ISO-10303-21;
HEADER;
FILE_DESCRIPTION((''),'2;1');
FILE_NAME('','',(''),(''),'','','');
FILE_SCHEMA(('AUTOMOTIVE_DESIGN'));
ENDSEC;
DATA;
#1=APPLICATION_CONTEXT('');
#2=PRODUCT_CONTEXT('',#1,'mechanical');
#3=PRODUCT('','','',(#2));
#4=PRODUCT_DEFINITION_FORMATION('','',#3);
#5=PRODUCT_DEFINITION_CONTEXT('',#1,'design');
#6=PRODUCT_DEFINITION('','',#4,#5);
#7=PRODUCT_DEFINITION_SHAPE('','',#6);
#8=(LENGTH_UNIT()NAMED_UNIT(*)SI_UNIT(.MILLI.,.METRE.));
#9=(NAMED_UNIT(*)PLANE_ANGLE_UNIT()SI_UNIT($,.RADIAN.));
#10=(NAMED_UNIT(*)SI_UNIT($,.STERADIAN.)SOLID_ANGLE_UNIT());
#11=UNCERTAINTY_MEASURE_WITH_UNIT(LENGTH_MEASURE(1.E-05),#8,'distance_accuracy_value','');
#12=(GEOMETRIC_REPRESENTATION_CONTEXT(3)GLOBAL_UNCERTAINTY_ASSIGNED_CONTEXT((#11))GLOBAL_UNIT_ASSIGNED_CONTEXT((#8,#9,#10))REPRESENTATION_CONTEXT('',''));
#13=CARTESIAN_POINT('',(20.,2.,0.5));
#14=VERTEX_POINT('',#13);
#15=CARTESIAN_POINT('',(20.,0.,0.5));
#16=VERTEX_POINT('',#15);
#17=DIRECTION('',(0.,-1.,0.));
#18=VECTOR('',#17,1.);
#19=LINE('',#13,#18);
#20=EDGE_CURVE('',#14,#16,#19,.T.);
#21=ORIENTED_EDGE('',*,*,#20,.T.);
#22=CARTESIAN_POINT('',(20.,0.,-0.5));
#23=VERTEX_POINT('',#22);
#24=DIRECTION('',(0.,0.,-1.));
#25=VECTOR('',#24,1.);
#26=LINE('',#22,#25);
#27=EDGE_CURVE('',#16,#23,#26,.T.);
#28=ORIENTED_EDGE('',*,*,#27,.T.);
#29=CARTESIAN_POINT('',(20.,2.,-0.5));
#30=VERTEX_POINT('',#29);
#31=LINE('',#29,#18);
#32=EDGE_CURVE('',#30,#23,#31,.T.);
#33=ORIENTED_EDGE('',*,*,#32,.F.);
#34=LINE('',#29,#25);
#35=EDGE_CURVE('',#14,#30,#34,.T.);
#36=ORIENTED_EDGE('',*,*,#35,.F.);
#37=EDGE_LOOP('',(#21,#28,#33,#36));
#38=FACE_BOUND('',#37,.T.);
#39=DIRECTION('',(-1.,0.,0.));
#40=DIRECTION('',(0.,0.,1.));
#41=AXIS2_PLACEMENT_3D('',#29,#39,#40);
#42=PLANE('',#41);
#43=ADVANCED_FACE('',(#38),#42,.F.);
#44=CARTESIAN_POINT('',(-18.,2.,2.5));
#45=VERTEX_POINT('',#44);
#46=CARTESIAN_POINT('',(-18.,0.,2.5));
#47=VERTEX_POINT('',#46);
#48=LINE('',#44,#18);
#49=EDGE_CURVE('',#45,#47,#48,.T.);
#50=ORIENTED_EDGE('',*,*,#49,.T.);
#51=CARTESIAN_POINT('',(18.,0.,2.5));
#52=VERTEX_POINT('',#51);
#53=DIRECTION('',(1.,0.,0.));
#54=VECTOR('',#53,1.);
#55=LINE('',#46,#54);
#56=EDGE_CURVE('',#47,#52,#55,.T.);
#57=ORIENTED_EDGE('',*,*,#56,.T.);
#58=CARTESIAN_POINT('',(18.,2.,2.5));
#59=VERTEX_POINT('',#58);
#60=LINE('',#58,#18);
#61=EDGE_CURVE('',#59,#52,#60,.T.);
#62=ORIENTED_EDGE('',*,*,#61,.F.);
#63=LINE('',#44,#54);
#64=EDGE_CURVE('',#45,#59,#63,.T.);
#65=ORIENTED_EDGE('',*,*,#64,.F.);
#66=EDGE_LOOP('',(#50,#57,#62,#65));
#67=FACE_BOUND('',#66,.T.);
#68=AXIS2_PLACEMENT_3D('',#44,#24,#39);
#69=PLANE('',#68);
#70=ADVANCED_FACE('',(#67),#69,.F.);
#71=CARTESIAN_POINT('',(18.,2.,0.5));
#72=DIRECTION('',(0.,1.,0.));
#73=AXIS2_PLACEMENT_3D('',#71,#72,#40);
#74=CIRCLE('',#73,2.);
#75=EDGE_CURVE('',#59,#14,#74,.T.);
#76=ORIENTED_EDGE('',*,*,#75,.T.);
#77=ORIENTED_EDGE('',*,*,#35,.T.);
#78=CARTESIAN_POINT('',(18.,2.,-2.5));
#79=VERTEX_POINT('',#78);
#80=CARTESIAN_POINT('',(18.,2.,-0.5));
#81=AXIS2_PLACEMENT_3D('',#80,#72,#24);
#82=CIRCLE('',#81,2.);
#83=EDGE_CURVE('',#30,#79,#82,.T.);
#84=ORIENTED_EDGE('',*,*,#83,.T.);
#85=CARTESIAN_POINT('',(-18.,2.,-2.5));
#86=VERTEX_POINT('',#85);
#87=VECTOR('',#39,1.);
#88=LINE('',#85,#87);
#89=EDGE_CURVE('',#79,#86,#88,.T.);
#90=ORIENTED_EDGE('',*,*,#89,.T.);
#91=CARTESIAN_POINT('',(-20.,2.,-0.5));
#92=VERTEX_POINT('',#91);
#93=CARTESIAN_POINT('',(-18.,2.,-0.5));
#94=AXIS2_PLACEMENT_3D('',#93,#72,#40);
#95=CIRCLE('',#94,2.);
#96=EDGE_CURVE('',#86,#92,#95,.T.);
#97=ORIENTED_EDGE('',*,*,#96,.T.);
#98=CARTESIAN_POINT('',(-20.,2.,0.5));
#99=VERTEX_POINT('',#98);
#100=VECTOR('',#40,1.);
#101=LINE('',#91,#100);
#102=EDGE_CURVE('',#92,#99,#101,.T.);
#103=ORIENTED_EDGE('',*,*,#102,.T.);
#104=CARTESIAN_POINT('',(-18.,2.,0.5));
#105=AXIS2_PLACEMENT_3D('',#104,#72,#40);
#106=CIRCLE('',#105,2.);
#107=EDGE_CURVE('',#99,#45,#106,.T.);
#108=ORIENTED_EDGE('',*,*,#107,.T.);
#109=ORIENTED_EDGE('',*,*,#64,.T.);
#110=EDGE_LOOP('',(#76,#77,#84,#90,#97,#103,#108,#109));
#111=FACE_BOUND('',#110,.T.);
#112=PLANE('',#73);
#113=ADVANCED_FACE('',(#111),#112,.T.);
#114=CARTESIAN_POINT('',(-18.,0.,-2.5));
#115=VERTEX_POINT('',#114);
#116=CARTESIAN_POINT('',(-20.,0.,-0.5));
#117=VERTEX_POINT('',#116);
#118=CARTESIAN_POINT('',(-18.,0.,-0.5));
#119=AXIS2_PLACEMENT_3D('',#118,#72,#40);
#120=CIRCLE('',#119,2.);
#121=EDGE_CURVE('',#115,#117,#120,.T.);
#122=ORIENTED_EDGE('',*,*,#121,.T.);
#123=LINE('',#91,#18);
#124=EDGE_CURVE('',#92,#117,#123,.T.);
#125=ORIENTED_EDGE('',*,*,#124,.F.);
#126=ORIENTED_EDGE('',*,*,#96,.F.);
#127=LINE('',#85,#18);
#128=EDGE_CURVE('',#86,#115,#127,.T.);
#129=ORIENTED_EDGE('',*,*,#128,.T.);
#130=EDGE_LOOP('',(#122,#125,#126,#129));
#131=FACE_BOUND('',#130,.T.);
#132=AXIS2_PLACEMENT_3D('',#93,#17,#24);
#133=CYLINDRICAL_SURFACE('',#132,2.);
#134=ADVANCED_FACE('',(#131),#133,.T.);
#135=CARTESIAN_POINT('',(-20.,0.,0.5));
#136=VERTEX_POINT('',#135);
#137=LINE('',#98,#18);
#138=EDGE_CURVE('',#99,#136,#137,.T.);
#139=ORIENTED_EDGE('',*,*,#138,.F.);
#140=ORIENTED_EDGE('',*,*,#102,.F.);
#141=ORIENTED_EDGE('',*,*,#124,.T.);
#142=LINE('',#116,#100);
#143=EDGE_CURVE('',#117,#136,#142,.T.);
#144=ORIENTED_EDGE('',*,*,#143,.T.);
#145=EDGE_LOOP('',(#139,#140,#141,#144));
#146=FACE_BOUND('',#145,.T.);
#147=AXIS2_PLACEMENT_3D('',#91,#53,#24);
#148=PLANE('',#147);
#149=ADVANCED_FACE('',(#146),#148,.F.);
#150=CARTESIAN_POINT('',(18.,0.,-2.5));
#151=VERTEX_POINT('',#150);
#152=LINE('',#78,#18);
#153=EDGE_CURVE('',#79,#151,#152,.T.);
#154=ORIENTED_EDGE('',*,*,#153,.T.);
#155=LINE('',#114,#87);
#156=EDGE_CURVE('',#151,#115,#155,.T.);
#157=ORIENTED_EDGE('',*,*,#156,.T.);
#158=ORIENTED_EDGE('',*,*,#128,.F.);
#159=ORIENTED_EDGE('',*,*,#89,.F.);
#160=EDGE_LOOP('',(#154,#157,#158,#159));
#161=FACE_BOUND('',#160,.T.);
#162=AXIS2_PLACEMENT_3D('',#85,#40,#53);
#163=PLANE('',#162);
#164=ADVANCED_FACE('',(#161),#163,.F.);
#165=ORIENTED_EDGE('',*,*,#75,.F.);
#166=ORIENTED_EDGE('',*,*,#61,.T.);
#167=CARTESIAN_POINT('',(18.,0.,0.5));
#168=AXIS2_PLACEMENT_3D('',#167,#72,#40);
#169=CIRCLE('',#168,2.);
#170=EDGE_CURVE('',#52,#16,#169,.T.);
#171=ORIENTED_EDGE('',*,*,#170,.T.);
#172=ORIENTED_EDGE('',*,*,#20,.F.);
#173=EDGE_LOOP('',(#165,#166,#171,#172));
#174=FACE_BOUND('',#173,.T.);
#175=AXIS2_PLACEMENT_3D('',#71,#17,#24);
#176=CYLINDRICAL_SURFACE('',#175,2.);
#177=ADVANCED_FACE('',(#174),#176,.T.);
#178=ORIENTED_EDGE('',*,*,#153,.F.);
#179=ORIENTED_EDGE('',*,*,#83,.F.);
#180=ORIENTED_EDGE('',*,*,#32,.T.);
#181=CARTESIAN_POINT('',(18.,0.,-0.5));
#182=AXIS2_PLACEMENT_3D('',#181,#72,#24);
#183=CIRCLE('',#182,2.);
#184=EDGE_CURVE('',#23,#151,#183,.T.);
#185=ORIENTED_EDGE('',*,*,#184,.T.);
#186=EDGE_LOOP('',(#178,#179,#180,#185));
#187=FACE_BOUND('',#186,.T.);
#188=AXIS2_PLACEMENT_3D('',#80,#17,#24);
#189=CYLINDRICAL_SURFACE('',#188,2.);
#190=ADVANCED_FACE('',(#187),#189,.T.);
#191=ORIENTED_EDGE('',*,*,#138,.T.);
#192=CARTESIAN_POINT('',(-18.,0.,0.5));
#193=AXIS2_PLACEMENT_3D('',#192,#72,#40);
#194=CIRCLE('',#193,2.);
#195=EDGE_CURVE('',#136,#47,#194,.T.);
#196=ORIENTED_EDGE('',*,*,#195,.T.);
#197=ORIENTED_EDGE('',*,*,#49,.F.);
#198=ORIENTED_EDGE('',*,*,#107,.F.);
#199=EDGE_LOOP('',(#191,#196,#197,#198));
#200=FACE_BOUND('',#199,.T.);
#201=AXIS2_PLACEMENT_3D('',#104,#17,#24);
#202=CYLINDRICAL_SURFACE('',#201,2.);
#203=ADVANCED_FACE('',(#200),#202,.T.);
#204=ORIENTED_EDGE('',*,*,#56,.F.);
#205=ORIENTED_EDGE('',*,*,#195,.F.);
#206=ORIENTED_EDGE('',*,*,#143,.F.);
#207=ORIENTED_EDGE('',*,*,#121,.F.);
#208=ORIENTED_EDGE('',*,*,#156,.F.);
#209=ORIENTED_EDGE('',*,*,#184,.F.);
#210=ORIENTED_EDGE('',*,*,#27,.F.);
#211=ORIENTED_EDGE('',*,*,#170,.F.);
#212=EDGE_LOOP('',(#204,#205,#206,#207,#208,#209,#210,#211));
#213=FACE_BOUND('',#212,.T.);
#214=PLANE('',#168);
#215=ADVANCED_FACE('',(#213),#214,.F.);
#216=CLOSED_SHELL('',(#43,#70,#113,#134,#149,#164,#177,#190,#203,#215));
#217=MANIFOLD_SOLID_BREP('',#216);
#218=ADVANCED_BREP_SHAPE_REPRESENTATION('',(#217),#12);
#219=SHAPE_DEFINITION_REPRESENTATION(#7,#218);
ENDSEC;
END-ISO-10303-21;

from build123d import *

# Parameters (mm, degrees)
BOSS_EXTRUDE1_DEPTH = 2


with BuildPart() as part:
    # Sketch1 → Boss-Extrude1 (new body)
    with BuildSketch(Plane(origin=(0, 0, 0), x_dir=(1, 0, 0), z_dir=(0, 1, 0))):
        with BuildLine():
            Line((-18, 2.5), (18, 2.5))
            ThreePointArc((18, 2.5), (19.414213562, 1.914213562), (20, 0.5))
            Line((20, 0.5), (20, -0.5))
            ThreePointArc((20, -0.5), (19.414213562, -1.914213562), (18, -2.5))
            Line((18, -2.5), (-18, -2.5))
            ThreePointArc((-18, -2.5), (-19.414213562, -1.914213562), (-20, -0.5))
            Line((-20, -0.5), (-20, 0.5))
            ThreePointArc((-20, 0.5), (-19.414213562, 1.914213562), (-18, 2.5))
        make_face()
    extrude(amount=BOSS_EXTRUDE1_DEPTH)


solid = part.part
